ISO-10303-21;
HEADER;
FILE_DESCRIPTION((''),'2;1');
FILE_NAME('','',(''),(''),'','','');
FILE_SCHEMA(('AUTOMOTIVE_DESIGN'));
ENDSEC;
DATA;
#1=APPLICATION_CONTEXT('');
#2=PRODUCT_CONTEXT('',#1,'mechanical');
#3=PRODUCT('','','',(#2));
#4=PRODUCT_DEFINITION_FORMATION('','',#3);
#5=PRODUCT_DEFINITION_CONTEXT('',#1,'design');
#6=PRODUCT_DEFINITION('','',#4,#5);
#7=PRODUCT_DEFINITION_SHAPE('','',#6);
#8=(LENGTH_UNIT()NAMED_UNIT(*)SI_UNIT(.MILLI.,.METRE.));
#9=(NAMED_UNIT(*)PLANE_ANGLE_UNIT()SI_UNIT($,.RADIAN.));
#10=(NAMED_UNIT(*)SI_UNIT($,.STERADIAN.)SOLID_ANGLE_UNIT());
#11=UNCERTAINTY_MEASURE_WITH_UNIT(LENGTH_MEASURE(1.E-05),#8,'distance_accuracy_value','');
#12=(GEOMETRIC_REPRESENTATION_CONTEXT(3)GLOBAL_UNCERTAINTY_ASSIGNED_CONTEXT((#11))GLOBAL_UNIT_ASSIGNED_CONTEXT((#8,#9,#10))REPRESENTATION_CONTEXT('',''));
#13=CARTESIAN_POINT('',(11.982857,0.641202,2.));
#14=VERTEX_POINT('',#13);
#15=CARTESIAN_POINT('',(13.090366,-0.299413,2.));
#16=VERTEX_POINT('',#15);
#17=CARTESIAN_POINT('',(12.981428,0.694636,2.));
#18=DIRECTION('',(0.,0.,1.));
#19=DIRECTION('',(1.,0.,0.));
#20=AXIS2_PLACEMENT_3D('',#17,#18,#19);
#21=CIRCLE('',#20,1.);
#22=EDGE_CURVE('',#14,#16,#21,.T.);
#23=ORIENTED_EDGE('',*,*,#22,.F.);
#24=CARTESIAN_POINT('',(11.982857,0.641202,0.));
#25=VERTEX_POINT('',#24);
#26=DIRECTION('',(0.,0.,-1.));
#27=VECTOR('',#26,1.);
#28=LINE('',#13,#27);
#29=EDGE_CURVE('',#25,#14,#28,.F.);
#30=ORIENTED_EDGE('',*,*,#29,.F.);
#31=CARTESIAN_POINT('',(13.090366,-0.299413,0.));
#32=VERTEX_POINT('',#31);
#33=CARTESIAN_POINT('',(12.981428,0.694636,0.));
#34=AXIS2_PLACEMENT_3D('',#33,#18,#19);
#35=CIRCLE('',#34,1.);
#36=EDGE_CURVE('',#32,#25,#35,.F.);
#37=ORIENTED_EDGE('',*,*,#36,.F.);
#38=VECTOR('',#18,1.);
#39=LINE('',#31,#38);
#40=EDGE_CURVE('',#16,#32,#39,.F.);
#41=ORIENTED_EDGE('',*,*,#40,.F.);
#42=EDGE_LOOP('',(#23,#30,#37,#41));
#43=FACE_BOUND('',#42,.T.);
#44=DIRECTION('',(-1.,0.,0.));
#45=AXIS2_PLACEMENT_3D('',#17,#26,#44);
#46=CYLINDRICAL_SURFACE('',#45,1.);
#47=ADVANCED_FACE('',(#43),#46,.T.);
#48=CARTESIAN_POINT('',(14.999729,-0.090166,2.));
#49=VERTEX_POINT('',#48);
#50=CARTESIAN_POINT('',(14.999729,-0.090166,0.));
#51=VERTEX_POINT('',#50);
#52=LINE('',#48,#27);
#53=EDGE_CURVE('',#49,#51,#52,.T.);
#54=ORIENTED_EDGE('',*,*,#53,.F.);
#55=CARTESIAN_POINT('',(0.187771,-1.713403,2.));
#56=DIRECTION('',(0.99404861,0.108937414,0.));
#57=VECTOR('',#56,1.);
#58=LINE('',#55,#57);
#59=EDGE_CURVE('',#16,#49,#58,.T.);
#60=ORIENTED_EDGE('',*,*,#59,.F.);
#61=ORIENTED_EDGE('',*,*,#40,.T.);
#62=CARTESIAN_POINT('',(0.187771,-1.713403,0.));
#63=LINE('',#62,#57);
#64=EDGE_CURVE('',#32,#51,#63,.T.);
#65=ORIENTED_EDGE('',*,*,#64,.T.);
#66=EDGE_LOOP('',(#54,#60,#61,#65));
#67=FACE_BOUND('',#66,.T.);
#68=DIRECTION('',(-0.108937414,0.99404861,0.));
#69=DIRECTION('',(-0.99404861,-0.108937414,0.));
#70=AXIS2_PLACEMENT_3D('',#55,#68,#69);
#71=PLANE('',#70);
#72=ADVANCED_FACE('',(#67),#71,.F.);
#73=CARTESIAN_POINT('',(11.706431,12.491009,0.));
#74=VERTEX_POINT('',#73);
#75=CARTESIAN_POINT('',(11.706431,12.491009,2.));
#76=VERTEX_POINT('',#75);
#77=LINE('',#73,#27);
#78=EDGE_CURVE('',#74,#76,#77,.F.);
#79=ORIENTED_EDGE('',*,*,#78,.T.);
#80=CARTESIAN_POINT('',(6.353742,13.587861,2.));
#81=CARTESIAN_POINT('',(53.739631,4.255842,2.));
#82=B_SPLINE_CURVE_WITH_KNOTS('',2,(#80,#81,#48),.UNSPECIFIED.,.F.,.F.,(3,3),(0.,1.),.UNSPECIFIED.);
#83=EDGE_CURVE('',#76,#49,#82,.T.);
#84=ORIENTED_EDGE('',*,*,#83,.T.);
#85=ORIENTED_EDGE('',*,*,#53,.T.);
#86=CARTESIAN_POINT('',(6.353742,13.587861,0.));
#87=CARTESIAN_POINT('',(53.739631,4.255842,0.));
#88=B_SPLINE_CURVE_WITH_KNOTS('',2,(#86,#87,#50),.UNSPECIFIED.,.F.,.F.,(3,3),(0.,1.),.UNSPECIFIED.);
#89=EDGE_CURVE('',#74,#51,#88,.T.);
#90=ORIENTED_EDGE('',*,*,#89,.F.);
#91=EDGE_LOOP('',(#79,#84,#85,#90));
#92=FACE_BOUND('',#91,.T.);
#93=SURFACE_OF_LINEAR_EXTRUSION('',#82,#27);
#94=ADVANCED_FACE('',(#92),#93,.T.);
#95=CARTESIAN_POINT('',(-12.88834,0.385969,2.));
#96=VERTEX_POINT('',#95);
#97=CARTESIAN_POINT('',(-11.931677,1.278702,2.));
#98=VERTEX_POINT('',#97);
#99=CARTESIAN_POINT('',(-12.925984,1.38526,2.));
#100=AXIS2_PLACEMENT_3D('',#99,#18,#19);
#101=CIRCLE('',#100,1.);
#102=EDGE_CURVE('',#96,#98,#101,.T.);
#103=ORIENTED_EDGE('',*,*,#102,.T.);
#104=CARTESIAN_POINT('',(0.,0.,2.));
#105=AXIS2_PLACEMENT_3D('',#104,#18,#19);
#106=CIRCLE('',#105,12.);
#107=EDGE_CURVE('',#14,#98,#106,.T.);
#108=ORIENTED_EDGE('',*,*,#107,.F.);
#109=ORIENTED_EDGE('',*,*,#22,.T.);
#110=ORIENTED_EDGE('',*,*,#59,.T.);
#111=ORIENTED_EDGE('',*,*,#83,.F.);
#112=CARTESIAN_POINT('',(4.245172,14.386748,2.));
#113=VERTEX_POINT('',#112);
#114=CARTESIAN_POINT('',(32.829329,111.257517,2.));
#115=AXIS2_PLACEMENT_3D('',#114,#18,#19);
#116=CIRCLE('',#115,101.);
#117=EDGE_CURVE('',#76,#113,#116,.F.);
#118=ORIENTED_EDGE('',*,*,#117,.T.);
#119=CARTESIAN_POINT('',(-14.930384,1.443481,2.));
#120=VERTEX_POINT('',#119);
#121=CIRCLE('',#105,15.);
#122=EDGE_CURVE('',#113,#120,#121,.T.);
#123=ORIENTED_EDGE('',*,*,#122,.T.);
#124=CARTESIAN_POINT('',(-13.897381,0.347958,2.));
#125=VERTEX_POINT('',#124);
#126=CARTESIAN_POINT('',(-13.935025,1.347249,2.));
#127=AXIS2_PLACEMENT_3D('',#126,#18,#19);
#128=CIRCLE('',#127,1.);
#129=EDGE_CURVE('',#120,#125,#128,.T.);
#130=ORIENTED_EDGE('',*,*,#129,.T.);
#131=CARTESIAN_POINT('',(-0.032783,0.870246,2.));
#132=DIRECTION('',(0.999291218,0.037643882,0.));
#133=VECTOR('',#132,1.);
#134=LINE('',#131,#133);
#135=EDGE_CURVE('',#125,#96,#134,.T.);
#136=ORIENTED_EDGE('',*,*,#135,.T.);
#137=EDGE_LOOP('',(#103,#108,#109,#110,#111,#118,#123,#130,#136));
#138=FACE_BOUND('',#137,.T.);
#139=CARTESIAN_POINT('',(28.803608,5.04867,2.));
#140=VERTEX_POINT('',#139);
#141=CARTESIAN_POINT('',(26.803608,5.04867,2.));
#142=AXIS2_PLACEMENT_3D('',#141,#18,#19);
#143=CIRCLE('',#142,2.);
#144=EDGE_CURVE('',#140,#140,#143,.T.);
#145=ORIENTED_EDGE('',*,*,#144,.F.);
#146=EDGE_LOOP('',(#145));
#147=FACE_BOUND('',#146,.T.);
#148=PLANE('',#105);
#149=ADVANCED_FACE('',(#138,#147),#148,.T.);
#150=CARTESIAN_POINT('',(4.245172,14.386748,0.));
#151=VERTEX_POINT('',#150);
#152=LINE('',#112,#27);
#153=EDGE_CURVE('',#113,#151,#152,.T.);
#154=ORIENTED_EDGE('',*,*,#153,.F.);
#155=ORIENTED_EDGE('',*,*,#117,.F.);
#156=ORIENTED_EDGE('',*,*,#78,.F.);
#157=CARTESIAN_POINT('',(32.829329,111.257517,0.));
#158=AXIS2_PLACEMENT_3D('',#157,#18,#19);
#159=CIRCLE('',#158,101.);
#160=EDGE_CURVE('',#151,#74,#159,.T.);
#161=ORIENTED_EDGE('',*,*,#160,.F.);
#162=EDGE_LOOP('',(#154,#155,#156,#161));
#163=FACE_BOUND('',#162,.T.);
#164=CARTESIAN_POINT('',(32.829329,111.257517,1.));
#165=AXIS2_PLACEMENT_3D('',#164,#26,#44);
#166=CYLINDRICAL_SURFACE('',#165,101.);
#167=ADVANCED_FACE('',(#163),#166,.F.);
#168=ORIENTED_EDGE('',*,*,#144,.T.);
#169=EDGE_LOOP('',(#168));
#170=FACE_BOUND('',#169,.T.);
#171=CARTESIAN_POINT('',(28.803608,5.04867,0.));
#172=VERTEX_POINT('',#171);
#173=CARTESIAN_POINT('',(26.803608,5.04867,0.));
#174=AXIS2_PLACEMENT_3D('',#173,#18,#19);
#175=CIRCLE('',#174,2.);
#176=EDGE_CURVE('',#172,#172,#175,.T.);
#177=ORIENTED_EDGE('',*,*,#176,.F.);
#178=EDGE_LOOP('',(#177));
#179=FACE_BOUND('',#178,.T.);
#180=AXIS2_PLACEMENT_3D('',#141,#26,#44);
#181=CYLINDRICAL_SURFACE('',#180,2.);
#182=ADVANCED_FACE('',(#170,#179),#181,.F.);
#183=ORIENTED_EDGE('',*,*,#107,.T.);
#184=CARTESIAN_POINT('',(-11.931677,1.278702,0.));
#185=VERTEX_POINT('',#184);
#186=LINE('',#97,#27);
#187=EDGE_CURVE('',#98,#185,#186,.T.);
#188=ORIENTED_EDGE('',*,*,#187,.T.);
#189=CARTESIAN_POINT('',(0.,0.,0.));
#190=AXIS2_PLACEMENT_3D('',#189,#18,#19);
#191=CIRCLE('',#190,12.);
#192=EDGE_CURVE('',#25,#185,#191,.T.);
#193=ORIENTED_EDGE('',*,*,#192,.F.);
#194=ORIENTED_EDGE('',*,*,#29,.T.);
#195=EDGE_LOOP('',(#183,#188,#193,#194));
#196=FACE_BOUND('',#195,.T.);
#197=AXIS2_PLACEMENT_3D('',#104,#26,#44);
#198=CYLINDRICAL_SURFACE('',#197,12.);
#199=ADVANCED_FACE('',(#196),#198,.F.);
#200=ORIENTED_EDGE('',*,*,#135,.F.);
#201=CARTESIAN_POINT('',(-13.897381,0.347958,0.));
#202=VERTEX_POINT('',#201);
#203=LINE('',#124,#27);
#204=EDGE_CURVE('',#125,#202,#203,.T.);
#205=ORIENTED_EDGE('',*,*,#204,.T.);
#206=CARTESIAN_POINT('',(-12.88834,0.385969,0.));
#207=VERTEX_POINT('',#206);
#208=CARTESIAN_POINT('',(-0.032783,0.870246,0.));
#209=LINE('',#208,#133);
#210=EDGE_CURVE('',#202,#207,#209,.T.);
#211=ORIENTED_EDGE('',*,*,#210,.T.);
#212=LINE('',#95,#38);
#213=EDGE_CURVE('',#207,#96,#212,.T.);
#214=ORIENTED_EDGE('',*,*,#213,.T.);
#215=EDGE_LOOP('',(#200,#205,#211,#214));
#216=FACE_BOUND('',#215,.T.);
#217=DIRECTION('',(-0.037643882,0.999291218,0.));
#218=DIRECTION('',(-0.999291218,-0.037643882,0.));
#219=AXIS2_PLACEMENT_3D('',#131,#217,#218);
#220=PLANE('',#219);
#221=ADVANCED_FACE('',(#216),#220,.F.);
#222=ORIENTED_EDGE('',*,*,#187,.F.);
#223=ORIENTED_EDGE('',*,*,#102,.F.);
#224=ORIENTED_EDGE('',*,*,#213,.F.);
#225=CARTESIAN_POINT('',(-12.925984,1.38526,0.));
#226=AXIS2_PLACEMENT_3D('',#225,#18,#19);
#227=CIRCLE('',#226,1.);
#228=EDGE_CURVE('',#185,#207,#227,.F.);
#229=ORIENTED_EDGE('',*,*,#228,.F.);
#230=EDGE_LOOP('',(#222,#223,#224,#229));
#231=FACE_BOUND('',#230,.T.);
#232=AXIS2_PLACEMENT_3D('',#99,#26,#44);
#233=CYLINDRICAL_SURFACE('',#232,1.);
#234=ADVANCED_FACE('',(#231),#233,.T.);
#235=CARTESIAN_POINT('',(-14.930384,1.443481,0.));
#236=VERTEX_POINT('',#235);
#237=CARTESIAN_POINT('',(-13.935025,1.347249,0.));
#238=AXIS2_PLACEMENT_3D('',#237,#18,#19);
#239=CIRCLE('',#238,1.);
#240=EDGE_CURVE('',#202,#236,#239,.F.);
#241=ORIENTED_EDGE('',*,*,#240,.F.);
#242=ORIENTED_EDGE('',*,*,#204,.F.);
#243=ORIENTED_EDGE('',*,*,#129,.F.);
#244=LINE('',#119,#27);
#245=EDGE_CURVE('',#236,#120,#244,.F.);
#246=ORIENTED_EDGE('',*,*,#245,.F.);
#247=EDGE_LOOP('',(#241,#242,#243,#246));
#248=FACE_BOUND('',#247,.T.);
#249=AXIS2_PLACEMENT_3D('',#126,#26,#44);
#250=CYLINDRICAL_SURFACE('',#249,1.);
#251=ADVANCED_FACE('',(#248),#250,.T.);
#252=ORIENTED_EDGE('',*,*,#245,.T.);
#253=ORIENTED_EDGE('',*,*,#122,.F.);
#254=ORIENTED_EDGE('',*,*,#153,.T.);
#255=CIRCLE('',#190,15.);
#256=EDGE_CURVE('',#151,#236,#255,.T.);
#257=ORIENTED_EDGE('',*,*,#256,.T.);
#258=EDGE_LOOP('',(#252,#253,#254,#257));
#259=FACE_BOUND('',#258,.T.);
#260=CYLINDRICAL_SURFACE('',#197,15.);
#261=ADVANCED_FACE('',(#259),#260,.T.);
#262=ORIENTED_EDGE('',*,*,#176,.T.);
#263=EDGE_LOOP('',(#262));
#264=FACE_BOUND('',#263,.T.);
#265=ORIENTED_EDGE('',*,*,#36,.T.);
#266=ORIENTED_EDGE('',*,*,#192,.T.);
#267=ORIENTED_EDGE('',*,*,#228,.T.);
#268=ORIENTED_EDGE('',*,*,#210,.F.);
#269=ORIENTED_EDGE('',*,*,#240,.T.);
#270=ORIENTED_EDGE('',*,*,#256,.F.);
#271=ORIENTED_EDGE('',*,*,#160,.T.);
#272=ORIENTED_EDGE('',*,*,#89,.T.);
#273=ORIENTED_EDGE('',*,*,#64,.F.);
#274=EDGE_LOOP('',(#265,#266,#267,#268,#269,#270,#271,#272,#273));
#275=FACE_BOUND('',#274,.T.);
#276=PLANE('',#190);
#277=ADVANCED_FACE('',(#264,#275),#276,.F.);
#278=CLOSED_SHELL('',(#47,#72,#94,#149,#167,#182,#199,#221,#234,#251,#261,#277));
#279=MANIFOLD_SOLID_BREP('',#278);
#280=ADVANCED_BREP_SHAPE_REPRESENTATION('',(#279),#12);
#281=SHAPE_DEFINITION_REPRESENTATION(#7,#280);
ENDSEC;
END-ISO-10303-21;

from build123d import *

# Parameters (mm, degrees)
ESQUISSE1_R        = 2
BOSS_EXTRU_1_DEPTH = 2
CONG_1_R           = 1
CONG_2_R           = 101


with BuildPart() as part:
    # Esquisse1 → Boss.-Extru.1 (new body)
    with BuildSketch(Plane.XY):
        with BuildLine():
            ThreePointArc((6.353742359, 13.587860686), (-7.923021794, 12.736786316), (-14.996867452, 0.306539744))
            Line((-14.996867452, 0.306539744), (-11.992657898, 0.419710068))
            ThreePointArc((-11.992657898, 0.419710068), (0.419710068, 11.992657898), (11.992657898, -0.419710068))
            Line((11.992657898, -0.419710068), (14.999728999, -0.090166274))
            add(Edge.make_bspline(
                [(6.353742359, 13.587860686), (53.739631024, 4.255841601), (14.999728999, -0.090166274)],
                knots=[0, 0, 0, 1, 1, 1], degree=2))
        make_face()
        with Locations((26.803607687, 5.048670414)):
            Circle(ESQUISSE1_R, mode=Mode.SUBTRACT)
    extrude(amount=BOSS_EXTRU_1_DEPTH)

    # Congé1
    cong_1_edges = [part.edges().sort_by_distance(p)[0] for p in [
        (11.992657898, -0.419710068, 1),
        (-11.992657898, 0.419710068, 1),
        (-14.996867452, 0.306539744, 1),
    ]]
    fillet(cong_1_edges, radius=CONG_1_R)

    # Congé2
    cong_2_edges = [part.edges().sort_by_distance(p)[0] for p in [
        (6.353742359, 13.587860686, 1),
    ]]
    fillet(cong_2_edges, radius=CONG_2_R)


solid = part.part
